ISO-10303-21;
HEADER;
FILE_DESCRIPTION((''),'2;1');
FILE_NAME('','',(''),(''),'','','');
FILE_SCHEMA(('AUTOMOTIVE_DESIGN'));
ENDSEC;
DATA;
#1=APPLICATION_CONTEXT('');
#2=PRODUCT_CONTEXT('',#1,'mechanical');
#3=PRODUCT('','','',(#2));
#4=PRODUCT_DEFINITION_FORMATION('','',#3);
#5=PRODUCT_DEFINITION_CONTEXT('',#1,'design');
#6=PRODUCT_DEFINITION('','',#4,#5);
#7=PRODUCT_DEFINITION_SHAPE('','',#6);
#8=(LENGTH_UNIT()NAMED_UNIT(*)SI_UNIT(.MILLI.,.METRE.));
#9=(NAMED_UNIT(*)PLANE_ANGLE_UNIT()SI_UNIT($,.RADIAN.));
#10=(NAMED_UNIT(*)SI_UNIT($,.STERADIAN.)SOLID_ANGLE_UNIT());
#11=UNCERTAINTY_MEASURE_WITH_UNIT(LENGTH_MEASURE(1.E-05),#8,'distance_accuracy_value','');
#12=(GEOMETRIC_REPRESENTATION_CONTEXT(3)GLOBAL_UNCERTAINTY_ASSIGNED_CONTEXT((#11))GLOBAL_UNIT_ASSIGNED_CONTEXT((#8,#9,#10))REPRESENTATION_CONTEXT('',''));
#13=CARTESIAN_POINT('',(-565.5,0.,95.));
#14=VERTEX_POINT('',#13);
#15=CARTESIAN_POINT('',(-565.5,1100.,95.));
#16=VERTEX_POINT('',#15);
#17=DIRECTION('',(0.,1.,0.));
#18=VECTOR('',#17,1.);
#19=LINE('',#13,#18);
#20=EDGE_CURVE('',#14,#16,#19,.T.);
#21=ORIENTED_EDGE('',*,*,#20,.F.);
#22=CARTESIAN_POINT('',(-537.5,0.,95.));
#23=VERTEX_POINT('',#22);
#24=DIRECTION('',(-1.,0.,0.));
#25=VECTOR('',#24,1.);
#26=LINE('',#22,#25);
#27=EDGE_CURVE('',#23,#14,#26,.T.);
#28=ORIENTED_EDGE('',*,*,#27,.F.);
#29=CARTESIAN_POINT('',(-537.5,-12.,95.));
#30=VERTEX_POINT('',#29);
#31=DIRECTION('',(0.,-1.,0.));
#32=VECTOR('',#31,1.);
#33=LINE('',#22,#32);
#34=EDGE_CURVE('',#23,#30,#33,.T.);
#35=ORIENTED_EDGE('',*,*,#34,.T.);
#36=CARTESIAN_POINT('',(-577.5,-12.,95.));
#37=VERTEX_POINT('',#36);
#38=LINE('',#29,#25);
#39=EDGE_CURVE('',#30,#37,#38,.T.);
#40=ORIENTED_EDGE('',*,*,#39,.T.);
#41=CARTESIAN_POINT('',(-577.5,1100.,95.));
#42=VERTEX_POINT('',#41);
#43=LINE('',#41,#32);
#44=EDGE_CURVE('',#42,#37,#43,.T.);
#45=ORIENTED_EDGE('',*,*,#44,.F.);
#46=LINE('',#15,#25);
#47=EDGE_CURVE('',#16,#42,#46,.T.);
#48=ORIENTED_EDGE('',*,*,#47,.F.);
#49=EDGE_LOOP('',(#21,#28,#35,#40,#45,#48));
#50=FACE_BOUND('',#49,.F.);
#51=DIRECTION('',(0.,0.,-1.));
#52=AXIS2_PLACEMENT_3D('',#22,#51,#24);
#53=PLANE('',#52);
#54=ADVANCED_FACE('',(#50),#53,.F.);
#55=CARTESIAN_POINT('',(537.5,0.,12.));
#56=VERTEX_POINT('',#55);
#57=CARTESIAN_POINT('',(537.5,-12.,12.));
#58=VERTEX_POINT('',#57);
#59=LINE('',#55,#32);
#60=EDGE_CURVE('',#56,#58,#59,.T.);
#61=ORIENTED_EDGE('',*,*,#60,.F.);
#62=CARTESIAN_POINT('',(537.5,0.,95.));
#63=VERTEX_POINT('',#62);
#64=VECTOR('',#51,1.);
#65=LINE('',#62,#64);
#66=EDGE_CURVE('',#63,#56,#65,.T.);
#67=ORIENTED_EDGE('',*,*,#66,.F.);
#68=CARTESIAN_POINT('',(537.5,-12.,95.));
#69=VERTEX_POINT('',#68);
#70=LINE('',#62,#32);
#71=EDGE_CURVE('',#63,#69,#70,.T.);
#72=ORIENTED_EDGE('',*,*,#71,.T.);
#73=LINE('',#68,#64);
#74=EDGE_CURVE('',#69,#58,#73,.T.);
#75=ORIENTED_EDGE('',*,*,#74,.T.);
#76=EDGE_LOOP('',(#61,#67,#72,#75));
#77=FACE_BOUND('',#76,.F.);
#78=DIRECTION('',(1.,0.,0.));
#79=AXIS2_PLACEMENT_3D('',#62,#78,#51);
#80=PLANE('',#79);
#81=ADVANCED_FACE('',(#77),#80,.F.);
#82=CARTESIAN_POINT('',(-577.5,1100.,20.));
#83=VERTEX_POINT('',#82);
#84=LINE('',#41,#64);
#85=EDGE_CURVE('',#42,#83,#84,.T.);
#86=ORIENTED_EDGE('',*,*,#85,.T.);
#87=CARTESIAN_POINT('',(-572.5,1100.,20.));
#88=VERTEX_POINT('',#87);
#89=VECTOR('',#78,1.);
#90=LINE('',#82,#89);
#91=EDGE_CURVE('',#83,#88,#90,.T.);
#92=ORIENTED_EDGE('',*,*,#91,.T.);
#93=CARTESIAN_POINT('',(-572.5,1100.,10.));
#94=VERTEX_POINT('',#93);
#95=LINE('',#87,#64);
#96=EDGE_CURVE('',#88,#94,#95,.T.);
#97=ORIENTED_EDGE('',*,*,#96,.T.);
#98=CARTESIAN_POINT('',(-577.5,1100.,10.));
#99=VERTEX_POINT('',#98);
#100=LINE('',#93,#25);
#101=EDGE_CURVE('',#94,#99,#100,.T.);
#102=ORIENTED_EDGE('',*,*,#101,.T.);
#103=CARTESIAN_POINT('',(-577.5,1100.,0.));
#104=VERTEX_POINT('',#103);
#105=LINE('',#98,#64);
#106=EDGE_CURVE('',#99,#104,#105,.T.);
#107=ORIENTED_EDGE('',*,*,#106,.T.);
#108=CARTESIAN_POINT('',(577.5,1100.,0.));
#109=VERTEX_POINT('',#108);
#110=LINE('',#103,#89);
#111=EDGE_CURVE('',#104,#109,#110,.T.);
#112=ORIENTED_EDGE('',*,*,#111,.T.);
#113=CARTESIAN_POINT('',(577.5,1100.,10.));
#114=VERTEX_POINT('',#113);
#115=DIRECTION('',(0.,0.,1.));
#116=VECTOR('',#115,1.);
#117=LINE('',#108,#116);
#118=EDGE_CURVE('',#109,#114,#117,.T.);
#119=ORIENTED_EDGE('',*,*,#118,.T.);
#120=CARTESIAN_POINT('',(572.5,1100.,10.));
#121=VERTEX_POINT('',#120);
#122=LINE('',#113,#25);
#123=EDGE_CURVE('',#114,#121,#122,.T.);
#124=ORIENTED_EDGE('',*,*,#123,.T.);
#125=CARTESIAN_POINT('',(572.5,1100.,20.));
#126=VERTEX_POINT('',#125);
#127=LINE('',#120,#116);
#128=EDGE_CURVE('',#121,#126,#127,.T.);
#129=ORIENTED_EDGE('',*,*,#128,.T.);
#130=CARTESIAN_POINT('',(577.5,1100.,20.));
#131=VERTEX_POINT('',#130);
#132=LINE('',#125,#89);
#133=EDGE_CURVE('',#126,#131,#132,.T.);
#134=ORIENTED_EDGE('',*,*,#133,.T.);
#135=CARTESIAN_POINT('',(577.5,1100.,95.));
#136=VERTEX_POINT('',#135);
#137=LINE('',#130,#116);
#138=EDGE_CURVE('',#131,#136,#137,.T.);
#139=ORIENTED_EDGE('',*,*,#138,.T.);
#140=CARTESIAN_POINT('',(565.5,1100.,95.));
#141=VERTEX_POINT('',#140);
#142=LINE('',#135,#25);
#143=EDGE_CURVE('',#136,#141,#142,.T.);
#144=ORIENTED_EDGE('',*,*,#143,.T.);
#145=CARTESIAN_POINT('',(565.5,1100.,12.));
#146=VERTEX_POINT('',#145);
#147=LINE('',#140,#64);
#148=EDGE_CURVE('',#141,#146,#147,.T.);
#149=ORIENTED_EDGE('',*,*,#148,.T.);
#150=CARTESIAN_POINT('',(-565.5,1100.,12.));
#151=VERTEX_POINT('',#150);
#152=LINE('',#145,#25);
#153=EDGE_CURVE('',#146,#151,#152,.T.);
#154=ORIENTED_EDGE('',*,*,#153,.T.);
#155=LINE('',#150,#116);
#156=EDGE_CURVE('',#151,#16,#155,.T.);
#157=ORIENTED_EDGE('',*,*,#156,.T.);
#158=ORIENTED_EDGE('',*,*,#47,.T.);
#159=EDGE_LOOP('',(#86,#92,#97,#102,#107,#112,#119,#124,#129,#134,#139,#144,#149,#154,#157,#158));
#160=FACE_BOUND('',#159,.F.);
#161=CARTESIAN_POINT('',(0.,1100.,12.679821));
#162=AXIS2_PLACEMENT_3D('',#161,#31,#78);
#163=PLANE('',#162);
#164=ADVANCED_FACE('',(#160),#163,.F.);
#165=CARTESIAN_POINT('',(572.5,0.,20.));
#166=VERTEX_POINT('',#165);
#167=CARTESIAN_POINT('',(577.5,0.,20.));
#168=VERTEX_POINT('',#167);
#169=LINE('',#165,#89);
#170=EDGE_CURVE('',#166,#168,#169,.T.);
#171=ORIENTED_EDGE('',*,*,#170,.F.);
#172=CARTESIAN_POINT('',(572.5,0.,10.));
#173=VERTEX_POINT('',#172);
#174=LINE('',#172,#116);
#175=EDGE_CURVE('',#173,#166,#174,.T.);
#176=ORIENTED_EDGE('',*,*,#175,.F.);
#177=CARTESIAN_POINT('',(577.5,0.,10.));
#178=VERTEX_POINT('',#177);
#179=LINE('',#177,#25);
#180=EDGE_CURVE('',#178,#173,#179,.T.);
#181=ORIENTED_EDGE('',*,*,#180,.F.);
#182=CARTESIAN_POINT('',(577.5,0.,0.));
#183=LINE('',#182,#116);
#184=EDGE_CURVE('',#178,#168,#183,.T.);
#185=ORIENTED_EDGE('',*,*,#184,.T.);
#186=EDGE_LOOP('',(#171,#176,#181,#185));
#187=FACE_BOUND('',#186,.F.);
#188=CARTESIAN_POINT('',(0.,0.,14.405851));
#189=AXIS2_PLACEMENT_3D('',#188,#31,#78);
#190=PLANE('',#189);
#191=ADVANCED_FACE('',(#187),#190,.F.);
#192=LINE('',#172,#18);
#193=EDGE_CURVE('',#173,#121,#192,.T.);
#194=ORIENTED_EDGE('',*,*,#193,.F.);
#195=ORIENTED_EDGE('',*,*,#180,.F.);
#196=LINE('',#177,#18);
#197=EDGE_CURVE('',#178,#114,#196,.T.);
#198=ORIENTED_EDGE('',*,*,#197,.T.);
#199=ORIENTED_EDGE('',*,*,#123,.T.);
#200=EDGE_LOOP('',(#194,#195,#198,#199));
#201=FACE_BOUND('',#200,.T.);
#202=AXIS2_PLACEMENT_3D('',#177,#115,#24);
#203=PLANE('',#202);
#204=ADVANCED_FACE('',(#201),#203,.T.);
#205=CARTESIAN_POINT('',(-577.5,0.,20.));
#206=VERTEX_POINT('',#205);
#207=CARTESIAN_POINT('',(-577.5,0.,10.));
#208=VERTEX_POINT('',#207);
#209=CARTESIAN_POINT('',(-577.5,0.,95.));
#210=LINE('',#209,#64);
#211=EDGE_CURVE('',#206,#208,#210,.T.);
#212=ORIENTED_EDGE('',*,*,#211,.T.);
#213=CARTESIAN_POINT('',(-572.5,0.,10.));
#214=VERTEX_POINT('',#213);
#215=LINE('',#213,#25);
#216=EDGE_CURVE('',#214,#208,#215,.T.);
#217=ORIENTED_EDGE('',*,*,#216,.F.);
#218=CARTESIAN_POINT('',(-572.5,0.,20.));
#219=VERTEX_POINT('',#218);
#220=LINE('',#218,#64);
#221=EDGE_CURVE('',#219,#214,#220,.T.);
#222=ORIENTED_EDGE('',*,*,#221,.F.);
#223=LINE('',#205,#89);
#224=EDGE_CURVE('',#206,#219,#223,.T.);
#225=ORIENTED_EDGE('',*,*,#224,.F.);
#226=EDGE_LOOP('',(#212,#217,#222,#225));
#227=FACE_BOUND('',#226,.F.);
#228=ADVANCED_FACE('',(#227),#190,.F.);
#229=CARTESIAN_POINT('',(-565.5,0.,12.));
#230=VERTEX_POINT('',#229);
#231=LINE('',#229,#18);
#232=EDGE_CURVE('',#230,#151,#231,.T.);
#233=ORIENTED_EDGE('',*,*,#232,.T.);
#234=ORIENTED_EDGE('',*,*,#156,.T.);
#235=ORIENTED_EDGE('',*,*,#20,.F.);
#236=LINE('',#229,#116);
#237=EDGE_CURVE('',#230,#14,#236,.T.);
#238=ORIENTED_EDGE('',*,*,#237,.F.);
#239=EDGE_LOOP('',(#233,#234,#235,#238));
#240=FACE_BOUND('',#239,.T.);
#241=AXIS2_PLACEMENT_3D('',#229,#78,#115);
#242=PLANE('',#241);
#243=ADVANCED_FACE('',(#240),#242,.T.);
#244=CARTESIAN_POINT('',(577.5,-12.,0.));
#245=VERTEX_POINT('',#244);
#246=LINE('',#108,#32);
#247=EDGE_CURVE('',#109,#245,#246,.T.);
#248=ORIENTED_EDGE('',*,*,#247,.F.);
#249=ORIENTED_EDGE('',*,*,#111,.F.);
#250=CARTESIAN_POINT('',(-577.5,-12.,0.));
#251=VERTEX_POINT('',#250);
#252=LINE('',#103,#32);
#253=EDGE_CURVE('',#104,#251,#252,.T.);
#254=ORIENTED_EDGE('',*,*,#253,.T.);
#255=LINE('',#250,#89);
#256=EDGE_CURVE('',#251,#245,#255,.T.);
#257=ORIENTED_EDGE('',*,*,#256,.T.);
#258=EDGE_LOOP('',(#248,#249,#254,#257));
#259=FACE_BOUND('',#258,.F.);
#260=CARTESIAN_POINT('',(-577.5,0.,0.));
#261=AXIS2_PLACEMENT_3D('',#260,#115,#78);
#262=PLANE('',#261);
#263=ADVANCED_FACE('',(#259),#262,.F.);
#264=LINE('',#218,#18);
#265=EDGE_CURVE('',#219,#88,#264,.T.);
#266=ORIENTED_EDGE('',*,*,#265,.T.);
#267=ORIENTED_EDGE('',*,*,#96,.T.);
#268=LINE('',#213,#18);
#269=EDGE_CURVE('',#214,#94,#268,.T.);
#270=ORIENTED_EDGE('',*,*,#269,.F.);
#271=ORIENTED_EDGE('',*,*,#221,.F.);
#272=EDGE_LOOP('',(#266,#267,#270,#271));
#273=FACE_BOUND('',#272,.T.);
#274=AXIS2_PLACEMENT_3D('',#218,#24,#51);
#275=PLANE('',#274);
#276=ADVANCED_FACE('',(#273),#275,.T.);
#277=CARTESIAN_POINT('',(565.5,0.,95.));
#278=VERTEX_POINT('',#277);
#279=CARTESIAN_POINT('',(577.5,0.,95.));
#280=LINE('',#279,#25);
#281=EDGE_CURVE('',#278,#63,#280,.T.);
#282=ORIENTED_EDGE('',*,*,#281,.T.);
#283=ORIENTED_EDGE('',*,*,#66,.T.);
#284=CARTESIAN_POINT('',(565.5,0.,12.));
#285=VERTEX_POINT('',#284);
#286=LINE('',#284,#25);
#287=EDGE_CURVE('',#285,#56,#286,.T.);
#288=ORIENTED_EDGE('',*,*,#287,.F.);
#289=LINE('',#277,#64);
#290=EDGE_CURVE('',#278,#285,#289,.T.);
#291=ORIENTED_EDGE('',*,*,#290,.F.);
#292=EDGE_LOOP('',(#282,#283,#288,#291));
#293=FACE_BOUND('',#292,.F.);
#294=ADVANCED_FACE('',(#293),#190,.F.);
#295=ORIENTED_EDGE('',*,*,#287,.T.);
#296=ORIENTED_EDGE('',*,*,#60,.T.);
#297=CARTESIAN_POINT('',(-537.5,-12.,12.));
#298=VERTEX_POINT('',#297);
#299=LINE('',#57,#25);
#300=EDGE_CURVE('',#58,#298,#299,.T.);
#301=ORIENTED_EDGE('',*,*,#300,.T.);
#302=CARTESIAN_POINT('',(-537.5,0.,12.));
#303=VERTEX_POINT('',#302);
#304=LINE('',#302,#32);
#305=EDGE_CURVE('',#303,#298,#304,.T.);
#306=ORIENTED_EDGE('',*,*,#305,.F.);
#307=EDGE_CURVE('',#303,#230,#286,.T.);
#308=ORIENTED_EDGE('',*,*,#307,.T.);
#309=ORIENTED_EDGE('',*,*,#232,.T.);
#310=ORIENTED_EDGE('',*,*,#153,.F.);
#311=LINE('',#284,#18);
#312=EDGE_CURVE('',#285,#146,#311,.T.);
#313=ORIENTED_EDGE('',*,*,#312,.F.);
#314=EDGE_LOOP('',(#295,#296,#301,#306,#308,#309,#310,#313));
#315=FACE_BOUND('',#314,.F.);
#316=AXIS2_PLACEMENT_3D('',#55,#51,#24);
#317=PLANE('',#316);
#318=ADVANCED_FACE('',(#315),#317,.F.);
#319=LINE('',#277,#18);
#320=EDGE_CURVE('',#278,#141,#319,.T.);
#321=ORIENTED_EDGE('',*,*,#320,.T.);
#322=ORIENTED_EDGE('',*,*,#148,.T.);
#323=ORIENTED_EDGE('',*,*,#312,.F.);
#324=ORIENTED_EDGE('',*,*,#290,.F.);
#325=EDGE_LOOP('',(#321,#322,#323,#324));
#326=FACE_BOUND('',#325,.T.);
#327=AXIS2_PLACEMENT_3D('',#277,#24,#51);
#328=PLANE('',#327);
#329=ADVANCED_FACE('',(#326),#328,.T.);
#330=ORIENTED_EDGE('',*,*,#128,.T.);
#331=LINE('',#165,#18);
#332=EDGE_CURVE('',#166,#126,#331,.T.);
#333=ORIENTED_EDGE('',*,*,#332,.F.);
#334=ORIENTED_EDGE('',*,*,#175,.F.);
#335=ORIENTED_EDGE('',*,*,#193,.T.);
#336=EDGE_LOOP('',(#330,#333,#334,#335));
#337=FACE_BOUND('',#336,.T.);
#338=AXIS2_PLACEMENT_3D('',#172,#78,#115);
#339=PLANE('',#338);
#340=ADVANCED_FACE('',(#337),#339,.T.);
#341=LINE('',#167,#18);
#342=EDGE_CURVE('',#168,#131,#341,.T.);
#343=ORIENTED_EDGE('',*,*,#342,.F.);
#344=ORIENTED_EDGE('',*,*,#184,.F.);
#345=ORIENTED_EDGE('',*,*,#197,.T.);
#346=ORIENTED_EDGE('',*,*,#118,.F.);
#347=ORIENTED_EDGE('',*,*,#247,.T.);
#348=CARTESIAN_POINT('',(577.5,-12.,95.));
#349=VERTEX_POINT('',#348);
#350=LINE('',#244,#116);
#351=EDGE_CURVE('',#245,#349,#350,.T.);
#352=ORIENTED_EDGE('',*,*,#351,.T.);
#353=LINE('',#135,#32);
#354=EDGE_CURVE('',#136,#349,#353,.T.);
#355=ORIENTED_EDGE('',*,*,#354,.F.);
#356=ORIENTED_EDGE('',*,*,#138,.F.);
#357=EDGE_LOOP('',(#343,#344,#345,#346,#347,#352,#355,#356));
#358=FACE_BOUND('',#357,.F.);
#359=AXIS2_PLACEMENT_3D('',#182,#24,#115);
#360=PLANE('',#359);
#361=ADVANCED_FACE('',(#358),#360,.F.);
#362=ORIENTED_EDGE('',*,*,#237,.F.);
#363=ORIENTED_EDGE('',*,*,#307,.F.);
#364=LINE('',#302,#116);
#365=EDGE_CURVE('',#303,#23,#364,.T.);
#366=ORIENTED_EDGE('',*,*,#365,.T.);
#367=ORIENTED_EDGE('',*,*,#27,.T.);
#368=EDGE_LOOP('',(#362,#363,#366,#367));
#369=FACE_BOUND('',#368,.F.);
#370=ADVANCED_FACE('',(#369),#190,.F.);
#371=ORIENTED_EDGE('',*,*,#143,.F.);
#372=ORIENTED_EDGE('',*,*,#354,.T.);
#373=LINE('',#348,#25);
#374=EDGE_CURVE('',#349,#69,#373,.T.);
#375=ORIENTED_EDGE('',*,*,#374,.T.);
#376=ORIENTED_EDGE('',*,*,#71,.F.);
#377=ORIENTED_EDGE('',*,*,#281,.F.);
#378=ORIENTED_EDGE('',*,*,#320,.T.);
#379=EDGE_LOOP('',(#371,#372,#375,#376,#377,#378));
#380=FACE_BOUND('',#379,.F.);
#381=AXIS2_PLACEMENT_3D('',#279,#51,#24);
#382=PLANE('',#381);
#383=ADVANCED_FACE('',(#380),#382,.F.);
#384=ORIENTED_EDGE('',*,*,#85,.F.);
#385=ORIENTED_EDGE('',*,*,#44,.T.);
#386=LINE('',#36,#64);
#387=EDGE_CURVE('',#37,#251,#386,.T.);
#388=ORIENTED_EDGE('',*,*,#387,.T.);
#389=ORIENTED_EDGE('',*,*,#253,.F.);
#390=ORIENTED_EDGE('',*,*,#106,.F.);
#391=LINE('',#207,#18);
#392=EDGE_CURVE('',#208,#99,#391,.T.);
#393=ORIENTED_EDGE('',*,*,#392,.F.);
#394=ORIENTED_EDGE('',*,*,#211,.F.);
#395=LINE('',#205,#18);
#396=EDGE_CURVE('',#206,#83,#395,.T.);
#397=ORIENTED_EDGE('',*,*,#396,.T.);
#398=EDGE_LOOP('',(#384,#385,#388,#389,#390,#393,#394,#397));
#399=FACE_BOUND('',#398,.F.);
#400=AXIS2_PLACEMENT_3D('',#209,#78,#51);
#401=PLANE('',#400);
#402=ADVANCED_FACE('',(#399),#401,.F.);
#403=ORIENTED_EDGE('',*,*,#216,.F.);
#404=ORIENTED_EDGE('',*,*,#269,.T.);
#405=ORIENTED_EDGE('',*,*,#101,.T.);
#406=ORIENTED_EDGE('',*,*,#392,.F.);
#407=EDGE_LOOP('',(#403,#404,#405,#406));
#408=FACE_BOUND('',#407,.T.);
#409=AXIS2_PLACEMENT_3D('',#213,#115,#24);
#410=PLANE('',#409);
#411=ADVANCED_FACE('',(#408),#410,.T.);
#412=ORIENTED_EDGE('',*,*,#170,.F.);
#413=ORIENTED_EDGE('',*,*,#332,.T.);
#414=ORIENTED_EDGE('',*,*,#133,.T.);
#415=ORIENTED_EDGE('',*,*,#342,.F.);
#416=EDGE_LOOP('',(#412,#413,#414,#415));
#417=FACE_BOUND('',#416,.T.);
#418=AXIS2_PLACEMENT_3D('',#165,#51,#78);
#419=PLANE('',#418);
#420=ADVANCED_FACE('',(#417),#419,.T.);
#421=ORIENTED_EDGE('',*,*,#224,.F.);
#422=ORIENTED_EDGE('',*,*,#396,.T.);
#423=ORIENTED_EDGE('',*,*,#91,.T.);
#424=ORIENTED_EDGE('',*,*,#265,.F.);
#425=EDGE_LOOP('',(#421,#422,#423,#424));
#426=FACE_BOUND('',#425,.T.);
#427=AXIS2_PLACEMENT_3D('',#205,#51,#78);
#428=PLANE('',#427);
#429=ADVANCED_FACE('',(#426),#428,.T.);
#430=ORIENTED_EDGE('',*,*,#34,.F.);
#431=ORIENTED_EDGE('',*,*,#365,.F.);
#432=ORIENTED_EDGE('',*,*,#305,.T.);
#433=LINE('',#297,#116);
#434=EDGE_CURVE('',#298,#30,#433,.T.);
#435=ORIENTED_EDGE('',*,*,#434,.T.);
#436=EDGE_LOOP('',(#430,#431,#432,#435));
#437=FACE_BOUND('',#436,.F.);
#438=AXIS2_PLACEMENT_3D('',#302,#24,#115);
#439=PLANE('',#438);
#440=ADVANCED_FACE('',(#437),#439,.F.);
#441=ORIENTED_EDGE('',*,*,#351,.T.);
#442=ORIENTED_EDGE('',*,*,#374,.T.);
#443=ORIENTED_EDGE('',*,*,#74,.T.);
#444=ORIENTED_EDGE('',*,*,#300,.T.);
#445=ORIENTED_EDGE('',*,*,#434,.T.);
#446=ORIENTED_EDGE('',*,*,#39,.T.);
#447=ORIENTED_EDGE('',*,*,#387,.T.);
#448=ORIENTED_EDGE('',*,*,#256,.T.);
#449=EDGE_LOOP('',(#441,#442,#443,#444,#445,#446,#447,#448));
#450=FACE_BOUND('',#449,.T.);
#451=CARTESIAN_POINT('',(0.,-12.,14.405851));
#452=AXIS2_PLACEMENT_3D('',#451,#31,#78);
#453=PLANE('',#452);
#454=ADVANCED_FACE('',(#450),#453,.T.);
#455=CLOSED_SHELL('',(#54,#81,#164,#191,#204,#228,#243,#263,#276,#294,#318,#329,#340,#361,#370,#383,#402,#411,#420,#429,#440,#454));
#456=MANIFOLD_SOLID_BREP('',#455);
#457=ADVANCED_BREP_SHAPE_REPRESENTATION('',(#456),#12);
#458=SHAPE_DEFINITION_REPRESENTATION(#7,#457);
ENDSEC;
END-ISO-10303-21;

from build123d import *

# Parameters (mm, degrees)
F1_DEPTH = 1100
F3_DEPTH = 12


with BuildPart() as f1:
    # F0 (on Front) → F1 (new body)
    with BuildSketch(Plane.XZ):
        Polygon((565.5, 12), (-565.5, 12), (-565.5, 95), (-577.5, 95), (-577.5, 20), (-572.5, 20), (-572.5, 10), (-577.5, 10), (-577.5, 0), (577.5, 0), (577.5, 10), (572.5, 10), (572.5, 20), (577.5, 20), (577.5, 95), (565.5, 95), align=None)
    extrude(amount=-F1_DEPTH)

    # F2 (on Front) → F3 (join)
    with BuildSketch(Plane.XZ):
        Polygon((-537.5, 95), (-577.5, 95), (-577.5, 0), (577.5, 0), (577.5, 95), (537.5, 95), (537.5, 12), (-537.5, 12), align=None)
    extrude(amount=F3_DEPTH)


solid = f1.part
